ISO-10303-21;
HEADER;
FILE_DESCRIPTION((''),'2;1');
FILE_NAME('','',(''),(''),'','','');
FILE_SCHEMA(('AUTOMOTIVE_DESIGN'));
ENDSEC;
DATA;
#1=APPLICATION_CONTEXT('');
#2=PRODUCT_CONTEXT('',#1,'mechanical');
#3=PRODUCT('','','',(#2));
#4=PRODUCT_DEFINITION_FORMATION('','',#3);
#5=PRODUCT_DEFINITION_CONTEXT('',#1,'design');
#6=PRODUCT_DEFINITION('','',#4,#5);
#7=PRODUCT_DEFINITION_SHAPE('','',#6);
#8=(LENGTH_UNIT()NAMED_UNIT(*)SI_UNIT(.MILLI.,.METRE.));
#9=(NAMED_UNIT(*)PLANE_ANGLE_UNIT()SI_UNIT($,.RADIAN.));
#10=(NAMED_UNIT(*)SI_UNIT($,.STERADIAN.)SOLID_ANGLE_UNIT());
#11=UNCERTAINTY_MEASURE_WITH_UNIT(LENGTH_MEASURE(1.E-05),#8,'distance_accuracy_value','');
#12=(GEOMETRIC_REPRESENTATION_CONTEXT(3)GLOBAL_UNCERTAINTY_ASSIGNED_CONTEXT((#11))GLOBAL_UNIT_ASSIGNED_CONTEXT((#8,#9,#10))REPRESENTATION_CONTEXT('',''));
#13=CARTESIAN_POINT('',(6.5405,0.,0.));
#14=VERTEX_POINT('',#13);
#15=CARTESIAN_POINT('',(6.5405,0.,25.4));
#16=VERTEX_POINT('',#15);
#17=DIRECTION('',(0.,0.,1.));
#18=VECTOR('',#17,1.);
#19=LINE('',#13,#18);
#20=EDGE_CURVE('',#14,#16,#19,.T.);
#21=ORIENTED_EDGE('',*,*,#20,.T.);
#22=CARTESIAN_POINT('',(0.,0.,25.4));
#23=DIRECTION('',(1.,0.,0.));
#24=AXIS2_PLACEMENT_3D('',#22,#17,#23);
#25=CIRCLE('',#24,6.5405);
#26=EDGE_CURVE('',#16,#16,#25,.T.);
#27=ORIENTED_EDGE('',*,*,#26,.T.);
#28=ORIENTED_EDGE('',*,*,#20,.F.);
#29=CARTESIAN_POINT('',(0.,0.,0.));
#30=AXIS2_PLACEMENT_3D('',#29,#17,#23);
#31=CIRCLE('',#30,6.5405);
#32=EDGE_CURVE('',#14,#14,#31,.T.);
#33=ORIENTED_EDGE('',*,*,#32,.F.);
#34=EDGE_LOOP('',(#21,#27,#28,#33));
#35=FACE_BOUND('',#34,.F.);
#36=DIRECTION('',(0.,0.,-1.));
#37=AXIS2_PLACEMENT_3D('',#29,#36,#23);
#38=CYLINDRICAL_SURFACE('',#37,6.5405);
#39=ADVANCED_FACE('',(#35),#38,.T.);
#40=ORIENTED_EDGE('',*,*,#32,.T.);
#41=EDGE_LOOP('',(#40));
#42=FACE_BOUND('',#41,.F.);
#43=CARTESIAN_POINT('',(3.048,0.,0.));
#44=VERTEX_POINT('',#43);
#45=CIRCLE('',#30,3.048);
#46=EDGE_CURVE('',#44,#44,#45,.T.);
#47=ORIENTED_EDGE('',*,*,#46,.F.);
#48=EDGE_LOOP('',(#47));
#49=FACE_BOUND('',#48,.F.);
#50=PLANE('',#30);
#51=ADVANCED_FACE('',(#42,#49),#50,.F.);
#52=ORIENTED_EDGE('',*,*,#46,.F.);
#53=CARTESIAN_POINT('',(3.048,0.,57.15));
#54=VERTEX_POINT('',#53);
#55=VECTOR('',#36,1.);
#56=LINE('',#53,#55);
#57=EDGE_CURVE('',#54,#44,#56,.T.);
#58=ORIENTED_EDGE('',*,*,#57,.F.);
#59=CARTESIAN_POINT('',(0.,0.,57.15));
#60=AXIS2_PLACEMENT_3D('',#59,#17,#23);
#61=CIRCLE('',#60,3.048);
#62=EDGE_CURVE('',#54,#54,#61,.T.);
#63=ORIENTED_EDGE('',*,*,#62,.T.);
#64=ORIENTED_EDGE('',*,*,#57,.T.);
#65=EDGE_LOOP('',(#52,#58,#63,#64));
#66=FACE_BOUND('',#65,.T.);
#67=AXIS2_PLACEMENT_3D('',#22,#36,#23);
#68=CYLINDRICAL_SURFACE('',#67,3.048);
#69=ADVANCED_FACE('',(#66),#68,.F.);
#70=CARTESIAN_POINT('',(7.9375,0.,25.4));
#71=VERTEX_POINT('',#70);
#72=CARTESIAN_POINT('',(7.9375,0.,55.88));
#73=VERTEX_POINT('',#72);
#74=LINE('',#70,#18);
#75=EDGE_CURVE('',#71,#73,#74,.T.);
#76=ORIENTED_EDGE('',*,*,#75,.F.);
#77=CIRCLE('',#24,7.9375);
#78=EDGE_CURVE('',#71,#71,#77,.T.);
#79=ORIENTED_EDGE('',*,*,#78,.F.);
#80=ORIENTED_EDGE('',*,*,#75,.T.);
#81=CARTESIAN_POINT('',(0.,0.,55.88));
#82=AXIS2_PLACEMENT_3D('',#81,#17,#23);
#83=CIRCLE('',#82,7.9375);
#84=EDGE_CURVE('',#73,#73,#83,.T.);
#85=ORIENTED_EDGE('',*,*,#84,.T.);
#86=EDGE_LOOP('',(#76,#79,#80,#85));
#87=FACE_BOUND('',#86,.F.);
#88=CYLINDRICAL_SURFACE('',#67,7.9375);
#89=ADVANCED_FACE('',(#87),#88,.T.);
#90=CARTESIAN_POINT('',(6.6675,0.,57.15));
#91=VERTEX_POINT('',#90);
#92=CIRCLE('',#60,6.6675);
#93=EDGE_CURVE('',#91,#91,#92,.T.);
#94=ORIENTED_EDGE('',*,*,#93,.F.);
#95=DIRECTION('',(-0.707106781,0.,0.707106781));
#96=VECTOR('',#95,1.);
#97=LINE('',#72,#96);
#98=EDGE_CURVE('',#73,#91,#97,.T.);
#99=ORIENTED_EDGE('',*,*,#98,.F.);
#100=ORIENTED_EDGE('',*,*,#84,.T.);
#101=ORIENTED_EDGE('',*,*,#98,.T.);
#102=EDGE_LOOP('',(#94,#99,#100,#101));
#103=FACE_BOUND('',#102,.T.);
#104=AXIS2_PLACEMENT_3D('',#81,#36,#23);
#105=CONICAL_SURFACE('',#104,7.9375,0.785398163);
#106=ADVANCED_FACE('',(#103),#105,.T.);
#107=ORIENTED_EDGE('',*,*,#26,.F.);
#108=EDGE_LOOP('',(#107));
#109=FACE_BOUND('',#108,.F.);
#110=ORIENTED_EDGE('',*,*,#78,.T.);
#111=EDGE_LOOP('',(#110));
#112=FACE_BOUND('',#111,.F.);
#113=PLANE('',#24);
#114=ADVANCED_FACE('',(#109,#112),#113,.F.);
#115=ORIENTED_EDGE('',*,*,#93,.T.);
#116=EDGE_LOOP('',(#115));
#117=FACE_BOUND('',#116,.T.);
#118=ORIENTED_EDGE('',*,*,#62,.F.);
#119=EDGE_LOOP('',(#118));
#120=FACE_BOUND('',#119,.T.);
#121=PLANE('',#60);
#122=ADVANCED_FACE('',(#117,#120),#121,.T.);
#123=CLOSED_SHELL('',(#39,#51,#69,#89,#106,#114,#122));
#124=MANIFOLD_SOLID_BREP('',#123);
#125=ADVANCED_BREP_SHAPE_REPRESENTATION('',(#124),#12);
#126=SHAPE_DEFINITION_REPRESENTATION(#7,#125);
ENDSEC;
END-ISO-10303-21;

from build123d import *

# Parameters (mm, degrees)
F0_R     = 6.5405
F0_R_2   = 3.048
F1_DEPTH = 25.4
F3_START = 25.4
F2_R     = 7.9375
F2_R_2   = 3.048
F3_DEPTH = 31.75
F4_SIZE  = 1.27


with BuildPart() as f1:
    # F0 (on Top) → F1 (new body)
    with BuildSketch(Plane.XY):
        Circle(F0_R)
        Circle(F0_R_2, mode=Mode.SUBTRACT)
    extrude(amount=F1_DEPTH)

    # F2 (on Top) → F3 (join)
    with BuildSketch(Plane.XY.offset(F3_START)):
        Circle(F2_R)
        Circle(F2_R_2, mode=Mode.SUBTRACT)
    extrude(amount=F3_DEPTH)

    # F4
    f4_edges = [f1.edges().sort_by_distance(p)[0] for p in [
        (-7.9375, 0, 57.15),
    ]]
    chamfer(f4_edges, length=F4_SIZE)


solid = f1.part
